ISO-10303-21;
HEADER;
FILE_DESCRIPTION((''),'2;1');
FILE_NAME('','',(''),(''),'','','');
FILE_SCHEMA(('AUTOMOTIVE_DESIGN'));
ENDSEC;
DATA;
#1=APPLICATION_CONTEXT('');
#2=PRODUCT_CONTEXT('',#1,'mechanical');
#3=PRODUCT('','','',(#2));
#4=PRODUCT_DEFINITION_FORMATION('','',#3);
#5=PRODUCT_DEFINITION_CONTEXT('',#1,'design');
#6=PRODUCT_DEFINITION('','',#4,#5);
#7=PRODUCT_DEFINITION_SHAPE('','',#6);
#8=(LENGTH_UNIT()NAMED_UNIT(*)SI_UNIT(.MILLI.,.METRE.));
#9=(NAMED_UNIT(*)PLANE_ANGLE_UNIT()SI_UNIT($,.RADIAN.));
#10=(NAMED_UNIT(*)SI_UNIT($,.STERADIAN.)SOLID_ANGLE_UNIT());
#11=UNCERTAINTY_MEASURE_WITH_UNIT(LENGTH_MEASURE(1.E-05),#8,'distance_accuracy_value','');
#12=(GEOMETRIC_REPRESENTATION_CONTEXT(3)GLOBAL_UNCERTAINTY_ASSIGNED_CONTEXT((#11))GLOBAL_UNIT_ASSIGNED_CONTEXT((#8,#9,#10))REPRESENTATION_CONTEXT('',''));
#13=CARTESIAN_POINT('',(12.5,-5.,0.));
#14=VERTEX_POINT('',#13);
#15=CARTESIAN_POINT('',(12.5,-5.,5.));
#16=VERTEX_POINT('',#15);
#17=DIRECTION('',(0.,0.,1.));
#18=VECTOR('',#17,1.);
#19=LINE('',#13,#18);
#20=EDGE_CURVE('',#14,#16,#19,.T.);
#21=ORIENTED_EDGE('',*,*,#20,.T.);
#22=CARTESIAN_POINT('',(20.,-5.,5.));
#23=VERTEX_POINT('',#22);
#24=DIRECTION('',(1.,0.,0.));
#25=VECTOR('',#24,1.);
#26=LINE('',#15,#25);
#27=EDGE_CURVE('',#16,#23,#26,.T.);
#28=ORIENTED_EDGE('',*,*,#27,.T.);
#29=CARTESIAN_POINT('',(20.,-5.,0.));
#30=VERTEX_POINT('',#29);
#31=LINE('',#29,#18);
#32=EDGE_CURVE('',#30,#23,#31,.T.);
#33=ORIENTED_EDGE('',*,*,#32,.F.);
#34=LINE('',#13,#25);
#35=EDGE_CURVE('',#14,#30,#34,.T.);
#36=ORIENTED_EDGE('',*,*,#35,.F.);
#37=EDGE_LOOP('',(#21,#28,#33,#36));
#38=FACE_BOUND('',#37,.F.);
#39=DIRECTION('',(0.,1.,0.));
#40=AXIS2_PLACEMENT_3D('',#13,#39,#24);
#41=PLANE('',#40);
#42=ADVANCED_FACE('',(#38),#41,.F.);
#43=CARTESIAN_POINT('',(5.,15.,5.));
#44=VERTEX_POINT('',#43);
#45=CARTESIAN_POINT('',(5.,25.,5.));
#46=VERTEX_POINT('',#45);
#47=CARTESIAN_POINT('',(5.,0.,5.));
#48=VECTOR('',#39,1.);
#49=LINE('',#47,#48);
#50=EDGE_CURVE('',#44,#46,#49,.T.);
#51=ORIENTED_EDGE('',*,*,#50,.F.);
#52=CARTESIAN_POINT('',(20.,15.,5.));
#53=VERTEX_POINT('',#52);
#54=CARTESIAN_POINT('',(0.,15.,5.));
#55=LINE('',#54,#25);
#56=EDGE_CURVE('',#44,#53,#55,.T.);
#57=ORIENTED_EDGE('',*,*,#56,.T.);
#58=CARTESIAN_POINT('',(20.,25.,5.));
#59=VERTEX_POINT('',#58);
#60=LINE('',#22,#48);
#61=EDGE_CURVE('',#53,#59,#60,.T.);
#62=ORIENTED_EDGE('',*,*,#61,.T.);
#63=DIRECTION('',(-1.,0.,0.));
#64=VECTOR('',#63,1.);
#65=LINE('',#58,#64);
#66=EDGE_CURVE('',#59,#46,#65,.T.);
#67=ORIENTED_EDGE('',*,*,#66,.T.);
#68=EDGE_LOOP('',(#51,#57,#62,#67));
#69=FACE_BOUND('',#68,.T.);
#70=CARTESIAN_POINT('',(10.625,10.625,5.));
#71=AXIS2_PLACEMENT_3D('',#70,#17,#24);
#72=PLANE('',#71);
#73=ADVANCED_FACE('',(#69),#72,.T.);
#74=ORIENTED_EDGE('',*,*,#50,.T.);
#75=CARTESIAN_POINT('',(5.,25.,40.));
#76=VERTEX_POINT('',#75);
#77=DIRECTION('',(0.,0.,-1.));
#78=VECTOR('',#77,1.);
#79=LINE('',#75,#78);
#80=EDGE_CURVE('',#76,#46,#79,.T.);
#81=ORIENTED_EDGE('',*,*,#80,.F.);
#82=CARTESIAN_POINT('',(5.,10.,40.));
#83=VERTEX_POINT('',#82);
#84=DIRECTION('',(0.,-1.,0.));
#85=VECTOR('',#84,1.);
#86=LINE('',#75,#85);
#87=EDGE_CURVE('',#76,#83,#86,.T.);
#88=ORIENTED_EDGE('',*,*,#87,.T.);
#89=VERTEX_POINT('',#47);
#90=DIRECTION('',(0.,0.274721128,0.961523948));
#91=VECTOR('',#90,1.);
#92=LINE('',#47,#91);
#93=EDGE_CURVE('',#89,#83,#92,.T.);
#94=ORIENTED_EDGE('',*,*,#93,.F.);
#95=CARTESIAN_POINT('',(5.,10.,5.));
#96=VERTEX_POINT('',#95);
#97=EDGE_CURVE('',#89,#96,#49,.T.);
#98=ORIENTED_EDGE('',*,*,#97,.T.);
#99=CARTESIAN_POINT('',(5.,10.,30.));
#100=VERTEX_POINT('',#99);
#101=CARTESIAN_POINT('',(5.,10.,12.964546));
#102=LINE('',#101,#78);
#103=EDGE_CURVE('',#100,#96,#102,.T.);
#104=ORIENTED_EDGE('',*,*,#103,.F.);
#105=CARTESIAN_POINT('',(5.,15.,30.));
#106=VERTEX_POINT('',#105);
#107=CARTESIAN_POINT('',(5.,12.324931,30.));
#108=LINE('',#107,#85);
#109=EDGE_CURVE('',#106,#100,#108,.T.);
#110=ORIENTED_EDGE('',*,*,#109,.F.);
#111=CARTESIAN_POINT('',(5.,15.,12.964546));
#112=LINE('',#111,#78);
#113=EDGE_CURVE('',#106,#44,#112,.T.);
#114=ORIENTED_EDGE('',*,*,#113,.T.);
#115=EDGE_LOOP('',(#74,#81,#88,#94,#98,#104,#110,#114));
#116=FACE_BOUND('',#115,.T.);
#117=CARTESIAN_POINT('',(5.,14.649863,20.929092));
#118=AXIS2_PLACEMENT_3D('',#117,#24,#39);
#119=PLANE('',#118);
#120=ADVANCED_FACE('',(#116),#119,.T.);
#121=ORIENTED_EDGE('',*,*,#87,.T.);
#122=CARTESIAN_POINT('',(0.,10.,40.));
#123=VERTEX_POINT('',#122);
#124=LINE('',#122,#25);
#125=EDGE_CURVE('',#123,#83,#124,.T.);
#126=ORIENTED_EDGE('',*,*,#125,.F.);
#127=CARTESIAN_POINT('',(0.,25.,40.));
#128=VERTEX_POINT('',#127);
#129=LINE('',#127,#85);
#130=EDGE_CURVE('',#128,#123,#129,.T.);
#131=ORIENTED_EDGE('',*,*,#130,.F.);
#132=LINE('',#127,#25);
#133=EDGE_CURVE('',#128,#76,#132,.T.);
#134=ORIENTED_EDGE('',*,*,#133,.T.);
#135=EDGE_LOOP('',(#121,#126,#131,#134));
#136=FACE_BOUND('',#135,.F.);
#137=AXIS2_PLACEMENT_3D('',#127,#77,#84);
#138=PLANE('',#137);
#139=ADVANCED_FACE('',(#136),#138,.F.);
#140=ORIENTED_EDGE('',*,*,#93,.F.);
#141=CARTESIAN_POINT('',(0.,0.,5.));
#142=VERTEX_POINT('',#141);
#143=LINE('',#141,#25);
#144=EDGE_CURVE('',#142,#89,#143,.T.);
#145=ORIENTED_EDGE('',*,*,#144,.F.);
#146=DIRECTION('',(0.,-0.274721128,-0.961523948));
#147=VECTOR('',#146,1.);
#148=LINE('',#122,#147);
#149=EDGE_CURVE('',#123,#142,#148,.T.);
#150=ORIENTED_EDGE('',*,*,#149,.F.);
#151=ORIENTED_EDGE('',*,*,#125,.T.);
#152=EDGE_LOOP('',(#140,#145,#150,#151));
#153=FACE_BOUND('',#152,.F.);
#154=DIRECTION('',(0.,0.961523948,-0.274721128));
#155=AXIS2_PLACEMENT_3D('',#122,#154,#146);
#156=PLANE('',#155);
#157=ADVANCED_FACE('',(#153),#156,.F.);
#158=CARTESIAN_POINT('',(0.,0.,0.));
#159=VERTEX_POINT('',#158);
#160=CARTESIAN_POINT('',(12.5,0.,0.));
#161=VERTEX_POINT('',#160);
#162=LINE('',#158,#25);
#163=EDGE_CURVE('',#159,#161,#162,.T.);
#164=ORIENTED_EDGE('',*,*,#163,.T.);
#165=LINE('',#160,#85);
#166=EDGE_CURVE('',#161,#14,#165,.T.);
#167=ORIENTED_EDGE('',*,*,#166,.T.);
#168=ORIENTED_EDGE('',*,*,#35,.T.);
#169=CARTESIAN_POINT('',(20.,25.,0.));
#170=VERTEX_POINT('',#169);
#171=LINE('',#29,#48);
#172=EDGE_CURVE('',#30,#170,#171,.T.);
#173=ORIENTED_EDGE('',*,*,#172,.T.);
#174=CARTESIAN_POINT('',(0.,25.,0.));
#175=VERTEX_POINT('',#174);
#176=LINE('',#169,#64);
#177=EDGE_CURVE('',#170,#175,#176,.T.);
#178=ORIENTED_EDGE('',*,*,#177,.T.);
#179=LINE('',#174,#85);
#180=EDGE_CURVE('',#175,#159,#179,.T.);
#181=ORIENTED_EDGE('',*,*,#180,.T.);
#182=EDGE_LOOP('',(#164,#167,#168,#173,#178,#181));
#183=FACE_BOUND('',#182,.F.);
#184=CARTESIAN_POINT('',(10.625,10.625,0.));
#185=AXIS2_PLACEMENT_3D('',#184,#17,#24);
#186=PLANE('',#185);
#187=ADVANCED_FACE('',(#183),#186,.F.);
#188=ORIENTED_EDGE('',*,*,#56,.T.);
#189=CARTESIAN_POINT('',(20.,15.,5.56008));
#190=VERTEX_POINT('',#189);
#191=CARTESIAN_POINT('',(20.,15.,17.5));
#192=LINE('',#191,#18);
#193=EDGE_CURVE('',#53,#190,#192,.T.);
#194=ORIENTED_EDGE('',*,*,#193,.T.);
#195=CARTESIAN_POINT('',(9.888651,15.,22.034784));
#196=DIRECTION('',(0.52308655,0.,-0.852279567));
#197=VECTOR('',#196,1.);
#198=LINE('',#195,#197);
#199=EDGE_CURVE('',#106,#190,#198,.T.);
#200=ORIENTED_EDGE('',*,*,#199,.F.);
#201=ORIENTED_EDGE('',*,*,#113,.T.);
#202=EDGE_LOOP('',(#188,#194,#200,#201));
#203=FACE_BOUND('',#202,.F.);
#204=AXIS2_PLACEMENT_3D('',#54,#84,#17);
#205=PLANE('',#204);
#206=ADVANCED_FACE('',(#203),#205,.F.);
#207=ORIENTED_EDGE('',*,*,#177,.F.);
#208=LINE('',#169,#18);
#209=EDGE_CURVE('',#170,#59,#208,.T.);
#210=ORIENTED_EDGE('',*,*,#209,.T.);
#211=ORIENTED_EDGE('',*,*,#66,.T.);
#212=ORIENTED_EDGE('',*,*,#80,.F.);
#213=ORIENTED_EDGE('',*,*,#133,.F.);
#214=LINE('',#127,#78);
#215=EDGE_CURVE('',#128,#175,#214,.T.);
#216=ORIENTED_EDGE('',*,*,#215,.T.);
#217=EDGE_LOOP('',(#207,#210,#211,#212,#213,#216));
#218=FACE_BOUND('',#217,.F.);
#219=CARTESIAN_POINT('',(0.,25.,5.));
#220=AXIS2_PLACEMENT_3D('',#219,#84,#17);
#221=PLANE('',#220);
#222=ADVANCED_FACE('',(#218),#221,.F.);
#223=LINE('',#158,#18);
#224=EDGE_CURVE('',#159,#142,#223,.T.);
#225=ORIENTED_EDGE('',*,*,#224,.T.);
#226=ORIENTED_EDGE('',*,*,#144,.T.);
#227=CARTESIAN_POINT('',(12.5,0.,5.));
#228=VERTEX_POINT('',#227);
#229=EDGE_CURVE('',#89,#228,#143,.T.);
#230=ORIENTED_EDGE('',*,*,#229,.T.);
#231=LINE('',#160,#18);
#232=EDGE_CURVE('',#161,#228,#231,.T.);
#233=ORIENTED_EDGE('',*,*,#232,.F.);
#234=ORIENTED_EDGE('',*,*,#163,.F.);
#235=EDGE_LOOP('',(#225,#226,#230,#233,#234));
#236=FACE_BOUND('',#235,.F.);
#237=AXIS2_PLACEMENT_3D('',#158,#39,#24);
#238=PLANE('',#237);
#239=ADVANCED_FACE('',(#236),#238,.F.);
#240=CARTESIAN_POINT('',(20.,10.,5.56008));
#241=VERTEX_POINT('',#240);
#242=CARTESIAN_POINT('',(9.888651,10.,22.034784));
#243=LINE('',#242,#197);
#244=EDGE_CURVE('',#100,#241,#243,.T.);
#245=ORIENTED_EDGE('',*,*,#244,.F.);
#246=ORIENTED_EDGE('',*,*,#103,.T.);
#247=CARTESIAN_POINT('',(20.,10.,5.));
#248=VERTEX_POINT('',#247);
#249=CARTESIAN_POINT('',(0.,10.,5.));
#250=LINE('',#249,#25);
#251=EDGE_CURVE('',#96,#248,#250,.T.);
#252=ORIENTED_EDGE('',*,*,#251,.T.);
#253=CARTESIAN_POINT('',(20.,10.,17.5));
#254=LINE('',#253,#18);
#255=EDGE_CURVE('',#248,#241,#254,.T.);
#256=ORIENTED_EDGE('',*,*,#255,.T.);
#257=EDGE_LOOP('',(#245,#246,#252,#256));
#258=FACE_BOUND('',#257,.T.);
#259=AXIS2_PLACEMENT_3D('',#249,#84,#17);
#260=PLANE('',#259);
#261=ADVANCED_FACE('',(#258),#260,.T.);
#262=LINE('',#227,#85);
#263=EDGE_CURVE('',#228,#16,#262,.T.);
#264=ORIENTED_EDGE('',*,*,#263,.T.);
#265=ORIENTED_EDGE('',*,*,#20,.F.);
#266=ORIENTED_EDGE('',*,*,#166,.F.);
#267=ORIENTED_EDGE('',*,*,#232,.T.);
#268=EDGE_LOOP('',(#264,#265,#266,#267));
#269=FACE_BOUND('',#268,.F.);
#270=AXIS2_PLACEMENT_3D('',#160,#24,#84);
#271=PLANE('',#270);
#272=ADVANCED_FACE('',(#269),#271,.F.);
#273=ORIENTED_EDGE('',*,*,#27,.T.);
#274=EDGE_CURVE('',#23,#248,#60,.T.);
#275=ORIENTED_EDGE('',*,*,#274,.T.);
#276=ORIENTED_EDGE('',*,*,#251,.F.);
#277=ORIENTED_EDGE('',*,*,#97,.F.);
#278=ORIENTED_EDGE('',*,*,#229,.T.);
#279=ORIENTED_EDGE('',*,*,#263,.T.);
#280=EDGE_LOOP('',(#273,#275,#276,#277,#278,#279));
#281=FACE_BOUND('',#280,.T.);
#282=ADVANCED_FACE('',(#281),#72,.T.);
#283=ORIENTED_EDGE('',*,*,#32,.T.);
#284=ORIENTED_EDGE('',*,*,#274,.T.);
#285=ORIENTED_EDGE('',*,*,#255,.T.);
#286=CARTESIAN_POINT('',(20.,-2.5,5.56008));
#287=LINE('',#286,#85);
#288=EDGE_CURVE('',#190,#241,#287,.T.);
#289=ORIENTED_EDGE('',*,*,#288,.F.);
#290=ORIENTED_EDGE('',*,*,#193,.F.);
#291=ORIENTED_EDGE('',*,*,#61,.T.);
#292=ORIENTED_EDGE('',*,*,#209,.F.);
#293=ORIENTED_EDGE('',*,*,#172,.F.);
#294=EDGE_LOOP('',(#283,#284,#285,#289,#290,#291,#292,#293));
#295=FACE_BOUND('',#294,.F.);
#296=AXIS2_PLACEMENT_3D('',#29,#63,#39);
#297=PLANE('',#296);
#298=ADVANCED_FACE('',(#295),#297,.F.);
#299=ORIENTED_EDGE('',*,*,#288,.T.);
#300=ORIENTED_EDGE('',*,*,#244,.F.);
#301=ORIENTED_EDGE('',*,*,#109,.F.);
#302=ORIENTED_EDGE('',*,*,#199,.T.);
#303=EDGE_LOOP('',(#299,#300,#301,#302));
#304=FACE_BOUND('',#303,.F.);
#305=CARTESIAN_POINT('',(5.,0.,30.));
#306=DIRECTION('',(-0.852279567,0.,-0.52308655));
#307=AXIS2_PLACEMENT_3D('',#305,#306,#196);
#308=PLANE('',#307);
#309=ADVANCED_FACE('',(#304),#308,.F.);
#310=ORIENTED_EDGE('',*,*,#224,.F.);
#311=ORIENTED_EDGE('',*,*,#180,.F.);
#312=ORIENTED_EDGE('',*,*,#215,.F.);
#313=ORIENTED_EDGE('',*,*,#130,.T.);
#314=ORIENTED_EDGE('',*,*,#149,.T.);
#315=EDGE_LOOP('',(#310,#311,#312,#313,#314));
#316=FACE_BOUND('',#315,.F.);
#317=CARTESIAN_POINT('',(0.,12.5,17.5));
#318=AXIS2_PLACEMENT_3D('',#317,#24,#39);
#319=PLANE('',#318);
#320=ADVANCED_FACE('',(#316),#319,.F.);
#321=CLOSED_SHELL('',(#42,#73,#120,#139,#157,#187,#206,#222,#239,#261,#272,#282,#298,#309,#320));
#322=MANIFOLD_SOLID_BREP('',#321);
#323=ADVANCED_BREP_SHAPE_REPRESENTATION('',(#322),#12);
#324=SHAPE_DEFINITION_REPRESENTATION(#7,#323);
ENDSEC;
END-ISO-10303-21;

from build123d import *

# Parameters (mm, degrees)
F1_DEPTH = 5
F3_DEPTH = 5
F4_W     = 5
F4_H     = 25
F5_DEPTH = 20
F7_DEPTH = 25


with BuildPart() as f1:
    # F0 (on Top) → F1 (new body)
    with BuildSketch(Plane.XY):
        Polygon((0, 25), (0, 0), (12.5, 0), (12.5, -5), (20, -5), (20, 25), align=None)
    extrude(amount=F1_DEPTH)

    # F2 (on Right) → F3 (join)
    with BuildSketch(Plane.YZ):
        Polygon((10, 40), (0, 5), (25, 5), (25, 40), align=None)
    extrude(amount=F3_DEPTH)

    # F4 (on Right) → F5 (join)
    with BuildSketch(Plane.YZ):
        with Locations((12.5, 17.5)):
            Rectangle(F4_W, F4_H)
    extrude(amount=F5_DEPTH)

    # F6 (on Front) → F7 (cut)
    with BuildSketch(Plane.XZ):
        Polygon((20.343749, 30), (5, 30), (20.343749, 5), align=None)
    extrude(amount=-F7_DEPTH, mode=Mode.SUBTRACT)


solid = f1.part
